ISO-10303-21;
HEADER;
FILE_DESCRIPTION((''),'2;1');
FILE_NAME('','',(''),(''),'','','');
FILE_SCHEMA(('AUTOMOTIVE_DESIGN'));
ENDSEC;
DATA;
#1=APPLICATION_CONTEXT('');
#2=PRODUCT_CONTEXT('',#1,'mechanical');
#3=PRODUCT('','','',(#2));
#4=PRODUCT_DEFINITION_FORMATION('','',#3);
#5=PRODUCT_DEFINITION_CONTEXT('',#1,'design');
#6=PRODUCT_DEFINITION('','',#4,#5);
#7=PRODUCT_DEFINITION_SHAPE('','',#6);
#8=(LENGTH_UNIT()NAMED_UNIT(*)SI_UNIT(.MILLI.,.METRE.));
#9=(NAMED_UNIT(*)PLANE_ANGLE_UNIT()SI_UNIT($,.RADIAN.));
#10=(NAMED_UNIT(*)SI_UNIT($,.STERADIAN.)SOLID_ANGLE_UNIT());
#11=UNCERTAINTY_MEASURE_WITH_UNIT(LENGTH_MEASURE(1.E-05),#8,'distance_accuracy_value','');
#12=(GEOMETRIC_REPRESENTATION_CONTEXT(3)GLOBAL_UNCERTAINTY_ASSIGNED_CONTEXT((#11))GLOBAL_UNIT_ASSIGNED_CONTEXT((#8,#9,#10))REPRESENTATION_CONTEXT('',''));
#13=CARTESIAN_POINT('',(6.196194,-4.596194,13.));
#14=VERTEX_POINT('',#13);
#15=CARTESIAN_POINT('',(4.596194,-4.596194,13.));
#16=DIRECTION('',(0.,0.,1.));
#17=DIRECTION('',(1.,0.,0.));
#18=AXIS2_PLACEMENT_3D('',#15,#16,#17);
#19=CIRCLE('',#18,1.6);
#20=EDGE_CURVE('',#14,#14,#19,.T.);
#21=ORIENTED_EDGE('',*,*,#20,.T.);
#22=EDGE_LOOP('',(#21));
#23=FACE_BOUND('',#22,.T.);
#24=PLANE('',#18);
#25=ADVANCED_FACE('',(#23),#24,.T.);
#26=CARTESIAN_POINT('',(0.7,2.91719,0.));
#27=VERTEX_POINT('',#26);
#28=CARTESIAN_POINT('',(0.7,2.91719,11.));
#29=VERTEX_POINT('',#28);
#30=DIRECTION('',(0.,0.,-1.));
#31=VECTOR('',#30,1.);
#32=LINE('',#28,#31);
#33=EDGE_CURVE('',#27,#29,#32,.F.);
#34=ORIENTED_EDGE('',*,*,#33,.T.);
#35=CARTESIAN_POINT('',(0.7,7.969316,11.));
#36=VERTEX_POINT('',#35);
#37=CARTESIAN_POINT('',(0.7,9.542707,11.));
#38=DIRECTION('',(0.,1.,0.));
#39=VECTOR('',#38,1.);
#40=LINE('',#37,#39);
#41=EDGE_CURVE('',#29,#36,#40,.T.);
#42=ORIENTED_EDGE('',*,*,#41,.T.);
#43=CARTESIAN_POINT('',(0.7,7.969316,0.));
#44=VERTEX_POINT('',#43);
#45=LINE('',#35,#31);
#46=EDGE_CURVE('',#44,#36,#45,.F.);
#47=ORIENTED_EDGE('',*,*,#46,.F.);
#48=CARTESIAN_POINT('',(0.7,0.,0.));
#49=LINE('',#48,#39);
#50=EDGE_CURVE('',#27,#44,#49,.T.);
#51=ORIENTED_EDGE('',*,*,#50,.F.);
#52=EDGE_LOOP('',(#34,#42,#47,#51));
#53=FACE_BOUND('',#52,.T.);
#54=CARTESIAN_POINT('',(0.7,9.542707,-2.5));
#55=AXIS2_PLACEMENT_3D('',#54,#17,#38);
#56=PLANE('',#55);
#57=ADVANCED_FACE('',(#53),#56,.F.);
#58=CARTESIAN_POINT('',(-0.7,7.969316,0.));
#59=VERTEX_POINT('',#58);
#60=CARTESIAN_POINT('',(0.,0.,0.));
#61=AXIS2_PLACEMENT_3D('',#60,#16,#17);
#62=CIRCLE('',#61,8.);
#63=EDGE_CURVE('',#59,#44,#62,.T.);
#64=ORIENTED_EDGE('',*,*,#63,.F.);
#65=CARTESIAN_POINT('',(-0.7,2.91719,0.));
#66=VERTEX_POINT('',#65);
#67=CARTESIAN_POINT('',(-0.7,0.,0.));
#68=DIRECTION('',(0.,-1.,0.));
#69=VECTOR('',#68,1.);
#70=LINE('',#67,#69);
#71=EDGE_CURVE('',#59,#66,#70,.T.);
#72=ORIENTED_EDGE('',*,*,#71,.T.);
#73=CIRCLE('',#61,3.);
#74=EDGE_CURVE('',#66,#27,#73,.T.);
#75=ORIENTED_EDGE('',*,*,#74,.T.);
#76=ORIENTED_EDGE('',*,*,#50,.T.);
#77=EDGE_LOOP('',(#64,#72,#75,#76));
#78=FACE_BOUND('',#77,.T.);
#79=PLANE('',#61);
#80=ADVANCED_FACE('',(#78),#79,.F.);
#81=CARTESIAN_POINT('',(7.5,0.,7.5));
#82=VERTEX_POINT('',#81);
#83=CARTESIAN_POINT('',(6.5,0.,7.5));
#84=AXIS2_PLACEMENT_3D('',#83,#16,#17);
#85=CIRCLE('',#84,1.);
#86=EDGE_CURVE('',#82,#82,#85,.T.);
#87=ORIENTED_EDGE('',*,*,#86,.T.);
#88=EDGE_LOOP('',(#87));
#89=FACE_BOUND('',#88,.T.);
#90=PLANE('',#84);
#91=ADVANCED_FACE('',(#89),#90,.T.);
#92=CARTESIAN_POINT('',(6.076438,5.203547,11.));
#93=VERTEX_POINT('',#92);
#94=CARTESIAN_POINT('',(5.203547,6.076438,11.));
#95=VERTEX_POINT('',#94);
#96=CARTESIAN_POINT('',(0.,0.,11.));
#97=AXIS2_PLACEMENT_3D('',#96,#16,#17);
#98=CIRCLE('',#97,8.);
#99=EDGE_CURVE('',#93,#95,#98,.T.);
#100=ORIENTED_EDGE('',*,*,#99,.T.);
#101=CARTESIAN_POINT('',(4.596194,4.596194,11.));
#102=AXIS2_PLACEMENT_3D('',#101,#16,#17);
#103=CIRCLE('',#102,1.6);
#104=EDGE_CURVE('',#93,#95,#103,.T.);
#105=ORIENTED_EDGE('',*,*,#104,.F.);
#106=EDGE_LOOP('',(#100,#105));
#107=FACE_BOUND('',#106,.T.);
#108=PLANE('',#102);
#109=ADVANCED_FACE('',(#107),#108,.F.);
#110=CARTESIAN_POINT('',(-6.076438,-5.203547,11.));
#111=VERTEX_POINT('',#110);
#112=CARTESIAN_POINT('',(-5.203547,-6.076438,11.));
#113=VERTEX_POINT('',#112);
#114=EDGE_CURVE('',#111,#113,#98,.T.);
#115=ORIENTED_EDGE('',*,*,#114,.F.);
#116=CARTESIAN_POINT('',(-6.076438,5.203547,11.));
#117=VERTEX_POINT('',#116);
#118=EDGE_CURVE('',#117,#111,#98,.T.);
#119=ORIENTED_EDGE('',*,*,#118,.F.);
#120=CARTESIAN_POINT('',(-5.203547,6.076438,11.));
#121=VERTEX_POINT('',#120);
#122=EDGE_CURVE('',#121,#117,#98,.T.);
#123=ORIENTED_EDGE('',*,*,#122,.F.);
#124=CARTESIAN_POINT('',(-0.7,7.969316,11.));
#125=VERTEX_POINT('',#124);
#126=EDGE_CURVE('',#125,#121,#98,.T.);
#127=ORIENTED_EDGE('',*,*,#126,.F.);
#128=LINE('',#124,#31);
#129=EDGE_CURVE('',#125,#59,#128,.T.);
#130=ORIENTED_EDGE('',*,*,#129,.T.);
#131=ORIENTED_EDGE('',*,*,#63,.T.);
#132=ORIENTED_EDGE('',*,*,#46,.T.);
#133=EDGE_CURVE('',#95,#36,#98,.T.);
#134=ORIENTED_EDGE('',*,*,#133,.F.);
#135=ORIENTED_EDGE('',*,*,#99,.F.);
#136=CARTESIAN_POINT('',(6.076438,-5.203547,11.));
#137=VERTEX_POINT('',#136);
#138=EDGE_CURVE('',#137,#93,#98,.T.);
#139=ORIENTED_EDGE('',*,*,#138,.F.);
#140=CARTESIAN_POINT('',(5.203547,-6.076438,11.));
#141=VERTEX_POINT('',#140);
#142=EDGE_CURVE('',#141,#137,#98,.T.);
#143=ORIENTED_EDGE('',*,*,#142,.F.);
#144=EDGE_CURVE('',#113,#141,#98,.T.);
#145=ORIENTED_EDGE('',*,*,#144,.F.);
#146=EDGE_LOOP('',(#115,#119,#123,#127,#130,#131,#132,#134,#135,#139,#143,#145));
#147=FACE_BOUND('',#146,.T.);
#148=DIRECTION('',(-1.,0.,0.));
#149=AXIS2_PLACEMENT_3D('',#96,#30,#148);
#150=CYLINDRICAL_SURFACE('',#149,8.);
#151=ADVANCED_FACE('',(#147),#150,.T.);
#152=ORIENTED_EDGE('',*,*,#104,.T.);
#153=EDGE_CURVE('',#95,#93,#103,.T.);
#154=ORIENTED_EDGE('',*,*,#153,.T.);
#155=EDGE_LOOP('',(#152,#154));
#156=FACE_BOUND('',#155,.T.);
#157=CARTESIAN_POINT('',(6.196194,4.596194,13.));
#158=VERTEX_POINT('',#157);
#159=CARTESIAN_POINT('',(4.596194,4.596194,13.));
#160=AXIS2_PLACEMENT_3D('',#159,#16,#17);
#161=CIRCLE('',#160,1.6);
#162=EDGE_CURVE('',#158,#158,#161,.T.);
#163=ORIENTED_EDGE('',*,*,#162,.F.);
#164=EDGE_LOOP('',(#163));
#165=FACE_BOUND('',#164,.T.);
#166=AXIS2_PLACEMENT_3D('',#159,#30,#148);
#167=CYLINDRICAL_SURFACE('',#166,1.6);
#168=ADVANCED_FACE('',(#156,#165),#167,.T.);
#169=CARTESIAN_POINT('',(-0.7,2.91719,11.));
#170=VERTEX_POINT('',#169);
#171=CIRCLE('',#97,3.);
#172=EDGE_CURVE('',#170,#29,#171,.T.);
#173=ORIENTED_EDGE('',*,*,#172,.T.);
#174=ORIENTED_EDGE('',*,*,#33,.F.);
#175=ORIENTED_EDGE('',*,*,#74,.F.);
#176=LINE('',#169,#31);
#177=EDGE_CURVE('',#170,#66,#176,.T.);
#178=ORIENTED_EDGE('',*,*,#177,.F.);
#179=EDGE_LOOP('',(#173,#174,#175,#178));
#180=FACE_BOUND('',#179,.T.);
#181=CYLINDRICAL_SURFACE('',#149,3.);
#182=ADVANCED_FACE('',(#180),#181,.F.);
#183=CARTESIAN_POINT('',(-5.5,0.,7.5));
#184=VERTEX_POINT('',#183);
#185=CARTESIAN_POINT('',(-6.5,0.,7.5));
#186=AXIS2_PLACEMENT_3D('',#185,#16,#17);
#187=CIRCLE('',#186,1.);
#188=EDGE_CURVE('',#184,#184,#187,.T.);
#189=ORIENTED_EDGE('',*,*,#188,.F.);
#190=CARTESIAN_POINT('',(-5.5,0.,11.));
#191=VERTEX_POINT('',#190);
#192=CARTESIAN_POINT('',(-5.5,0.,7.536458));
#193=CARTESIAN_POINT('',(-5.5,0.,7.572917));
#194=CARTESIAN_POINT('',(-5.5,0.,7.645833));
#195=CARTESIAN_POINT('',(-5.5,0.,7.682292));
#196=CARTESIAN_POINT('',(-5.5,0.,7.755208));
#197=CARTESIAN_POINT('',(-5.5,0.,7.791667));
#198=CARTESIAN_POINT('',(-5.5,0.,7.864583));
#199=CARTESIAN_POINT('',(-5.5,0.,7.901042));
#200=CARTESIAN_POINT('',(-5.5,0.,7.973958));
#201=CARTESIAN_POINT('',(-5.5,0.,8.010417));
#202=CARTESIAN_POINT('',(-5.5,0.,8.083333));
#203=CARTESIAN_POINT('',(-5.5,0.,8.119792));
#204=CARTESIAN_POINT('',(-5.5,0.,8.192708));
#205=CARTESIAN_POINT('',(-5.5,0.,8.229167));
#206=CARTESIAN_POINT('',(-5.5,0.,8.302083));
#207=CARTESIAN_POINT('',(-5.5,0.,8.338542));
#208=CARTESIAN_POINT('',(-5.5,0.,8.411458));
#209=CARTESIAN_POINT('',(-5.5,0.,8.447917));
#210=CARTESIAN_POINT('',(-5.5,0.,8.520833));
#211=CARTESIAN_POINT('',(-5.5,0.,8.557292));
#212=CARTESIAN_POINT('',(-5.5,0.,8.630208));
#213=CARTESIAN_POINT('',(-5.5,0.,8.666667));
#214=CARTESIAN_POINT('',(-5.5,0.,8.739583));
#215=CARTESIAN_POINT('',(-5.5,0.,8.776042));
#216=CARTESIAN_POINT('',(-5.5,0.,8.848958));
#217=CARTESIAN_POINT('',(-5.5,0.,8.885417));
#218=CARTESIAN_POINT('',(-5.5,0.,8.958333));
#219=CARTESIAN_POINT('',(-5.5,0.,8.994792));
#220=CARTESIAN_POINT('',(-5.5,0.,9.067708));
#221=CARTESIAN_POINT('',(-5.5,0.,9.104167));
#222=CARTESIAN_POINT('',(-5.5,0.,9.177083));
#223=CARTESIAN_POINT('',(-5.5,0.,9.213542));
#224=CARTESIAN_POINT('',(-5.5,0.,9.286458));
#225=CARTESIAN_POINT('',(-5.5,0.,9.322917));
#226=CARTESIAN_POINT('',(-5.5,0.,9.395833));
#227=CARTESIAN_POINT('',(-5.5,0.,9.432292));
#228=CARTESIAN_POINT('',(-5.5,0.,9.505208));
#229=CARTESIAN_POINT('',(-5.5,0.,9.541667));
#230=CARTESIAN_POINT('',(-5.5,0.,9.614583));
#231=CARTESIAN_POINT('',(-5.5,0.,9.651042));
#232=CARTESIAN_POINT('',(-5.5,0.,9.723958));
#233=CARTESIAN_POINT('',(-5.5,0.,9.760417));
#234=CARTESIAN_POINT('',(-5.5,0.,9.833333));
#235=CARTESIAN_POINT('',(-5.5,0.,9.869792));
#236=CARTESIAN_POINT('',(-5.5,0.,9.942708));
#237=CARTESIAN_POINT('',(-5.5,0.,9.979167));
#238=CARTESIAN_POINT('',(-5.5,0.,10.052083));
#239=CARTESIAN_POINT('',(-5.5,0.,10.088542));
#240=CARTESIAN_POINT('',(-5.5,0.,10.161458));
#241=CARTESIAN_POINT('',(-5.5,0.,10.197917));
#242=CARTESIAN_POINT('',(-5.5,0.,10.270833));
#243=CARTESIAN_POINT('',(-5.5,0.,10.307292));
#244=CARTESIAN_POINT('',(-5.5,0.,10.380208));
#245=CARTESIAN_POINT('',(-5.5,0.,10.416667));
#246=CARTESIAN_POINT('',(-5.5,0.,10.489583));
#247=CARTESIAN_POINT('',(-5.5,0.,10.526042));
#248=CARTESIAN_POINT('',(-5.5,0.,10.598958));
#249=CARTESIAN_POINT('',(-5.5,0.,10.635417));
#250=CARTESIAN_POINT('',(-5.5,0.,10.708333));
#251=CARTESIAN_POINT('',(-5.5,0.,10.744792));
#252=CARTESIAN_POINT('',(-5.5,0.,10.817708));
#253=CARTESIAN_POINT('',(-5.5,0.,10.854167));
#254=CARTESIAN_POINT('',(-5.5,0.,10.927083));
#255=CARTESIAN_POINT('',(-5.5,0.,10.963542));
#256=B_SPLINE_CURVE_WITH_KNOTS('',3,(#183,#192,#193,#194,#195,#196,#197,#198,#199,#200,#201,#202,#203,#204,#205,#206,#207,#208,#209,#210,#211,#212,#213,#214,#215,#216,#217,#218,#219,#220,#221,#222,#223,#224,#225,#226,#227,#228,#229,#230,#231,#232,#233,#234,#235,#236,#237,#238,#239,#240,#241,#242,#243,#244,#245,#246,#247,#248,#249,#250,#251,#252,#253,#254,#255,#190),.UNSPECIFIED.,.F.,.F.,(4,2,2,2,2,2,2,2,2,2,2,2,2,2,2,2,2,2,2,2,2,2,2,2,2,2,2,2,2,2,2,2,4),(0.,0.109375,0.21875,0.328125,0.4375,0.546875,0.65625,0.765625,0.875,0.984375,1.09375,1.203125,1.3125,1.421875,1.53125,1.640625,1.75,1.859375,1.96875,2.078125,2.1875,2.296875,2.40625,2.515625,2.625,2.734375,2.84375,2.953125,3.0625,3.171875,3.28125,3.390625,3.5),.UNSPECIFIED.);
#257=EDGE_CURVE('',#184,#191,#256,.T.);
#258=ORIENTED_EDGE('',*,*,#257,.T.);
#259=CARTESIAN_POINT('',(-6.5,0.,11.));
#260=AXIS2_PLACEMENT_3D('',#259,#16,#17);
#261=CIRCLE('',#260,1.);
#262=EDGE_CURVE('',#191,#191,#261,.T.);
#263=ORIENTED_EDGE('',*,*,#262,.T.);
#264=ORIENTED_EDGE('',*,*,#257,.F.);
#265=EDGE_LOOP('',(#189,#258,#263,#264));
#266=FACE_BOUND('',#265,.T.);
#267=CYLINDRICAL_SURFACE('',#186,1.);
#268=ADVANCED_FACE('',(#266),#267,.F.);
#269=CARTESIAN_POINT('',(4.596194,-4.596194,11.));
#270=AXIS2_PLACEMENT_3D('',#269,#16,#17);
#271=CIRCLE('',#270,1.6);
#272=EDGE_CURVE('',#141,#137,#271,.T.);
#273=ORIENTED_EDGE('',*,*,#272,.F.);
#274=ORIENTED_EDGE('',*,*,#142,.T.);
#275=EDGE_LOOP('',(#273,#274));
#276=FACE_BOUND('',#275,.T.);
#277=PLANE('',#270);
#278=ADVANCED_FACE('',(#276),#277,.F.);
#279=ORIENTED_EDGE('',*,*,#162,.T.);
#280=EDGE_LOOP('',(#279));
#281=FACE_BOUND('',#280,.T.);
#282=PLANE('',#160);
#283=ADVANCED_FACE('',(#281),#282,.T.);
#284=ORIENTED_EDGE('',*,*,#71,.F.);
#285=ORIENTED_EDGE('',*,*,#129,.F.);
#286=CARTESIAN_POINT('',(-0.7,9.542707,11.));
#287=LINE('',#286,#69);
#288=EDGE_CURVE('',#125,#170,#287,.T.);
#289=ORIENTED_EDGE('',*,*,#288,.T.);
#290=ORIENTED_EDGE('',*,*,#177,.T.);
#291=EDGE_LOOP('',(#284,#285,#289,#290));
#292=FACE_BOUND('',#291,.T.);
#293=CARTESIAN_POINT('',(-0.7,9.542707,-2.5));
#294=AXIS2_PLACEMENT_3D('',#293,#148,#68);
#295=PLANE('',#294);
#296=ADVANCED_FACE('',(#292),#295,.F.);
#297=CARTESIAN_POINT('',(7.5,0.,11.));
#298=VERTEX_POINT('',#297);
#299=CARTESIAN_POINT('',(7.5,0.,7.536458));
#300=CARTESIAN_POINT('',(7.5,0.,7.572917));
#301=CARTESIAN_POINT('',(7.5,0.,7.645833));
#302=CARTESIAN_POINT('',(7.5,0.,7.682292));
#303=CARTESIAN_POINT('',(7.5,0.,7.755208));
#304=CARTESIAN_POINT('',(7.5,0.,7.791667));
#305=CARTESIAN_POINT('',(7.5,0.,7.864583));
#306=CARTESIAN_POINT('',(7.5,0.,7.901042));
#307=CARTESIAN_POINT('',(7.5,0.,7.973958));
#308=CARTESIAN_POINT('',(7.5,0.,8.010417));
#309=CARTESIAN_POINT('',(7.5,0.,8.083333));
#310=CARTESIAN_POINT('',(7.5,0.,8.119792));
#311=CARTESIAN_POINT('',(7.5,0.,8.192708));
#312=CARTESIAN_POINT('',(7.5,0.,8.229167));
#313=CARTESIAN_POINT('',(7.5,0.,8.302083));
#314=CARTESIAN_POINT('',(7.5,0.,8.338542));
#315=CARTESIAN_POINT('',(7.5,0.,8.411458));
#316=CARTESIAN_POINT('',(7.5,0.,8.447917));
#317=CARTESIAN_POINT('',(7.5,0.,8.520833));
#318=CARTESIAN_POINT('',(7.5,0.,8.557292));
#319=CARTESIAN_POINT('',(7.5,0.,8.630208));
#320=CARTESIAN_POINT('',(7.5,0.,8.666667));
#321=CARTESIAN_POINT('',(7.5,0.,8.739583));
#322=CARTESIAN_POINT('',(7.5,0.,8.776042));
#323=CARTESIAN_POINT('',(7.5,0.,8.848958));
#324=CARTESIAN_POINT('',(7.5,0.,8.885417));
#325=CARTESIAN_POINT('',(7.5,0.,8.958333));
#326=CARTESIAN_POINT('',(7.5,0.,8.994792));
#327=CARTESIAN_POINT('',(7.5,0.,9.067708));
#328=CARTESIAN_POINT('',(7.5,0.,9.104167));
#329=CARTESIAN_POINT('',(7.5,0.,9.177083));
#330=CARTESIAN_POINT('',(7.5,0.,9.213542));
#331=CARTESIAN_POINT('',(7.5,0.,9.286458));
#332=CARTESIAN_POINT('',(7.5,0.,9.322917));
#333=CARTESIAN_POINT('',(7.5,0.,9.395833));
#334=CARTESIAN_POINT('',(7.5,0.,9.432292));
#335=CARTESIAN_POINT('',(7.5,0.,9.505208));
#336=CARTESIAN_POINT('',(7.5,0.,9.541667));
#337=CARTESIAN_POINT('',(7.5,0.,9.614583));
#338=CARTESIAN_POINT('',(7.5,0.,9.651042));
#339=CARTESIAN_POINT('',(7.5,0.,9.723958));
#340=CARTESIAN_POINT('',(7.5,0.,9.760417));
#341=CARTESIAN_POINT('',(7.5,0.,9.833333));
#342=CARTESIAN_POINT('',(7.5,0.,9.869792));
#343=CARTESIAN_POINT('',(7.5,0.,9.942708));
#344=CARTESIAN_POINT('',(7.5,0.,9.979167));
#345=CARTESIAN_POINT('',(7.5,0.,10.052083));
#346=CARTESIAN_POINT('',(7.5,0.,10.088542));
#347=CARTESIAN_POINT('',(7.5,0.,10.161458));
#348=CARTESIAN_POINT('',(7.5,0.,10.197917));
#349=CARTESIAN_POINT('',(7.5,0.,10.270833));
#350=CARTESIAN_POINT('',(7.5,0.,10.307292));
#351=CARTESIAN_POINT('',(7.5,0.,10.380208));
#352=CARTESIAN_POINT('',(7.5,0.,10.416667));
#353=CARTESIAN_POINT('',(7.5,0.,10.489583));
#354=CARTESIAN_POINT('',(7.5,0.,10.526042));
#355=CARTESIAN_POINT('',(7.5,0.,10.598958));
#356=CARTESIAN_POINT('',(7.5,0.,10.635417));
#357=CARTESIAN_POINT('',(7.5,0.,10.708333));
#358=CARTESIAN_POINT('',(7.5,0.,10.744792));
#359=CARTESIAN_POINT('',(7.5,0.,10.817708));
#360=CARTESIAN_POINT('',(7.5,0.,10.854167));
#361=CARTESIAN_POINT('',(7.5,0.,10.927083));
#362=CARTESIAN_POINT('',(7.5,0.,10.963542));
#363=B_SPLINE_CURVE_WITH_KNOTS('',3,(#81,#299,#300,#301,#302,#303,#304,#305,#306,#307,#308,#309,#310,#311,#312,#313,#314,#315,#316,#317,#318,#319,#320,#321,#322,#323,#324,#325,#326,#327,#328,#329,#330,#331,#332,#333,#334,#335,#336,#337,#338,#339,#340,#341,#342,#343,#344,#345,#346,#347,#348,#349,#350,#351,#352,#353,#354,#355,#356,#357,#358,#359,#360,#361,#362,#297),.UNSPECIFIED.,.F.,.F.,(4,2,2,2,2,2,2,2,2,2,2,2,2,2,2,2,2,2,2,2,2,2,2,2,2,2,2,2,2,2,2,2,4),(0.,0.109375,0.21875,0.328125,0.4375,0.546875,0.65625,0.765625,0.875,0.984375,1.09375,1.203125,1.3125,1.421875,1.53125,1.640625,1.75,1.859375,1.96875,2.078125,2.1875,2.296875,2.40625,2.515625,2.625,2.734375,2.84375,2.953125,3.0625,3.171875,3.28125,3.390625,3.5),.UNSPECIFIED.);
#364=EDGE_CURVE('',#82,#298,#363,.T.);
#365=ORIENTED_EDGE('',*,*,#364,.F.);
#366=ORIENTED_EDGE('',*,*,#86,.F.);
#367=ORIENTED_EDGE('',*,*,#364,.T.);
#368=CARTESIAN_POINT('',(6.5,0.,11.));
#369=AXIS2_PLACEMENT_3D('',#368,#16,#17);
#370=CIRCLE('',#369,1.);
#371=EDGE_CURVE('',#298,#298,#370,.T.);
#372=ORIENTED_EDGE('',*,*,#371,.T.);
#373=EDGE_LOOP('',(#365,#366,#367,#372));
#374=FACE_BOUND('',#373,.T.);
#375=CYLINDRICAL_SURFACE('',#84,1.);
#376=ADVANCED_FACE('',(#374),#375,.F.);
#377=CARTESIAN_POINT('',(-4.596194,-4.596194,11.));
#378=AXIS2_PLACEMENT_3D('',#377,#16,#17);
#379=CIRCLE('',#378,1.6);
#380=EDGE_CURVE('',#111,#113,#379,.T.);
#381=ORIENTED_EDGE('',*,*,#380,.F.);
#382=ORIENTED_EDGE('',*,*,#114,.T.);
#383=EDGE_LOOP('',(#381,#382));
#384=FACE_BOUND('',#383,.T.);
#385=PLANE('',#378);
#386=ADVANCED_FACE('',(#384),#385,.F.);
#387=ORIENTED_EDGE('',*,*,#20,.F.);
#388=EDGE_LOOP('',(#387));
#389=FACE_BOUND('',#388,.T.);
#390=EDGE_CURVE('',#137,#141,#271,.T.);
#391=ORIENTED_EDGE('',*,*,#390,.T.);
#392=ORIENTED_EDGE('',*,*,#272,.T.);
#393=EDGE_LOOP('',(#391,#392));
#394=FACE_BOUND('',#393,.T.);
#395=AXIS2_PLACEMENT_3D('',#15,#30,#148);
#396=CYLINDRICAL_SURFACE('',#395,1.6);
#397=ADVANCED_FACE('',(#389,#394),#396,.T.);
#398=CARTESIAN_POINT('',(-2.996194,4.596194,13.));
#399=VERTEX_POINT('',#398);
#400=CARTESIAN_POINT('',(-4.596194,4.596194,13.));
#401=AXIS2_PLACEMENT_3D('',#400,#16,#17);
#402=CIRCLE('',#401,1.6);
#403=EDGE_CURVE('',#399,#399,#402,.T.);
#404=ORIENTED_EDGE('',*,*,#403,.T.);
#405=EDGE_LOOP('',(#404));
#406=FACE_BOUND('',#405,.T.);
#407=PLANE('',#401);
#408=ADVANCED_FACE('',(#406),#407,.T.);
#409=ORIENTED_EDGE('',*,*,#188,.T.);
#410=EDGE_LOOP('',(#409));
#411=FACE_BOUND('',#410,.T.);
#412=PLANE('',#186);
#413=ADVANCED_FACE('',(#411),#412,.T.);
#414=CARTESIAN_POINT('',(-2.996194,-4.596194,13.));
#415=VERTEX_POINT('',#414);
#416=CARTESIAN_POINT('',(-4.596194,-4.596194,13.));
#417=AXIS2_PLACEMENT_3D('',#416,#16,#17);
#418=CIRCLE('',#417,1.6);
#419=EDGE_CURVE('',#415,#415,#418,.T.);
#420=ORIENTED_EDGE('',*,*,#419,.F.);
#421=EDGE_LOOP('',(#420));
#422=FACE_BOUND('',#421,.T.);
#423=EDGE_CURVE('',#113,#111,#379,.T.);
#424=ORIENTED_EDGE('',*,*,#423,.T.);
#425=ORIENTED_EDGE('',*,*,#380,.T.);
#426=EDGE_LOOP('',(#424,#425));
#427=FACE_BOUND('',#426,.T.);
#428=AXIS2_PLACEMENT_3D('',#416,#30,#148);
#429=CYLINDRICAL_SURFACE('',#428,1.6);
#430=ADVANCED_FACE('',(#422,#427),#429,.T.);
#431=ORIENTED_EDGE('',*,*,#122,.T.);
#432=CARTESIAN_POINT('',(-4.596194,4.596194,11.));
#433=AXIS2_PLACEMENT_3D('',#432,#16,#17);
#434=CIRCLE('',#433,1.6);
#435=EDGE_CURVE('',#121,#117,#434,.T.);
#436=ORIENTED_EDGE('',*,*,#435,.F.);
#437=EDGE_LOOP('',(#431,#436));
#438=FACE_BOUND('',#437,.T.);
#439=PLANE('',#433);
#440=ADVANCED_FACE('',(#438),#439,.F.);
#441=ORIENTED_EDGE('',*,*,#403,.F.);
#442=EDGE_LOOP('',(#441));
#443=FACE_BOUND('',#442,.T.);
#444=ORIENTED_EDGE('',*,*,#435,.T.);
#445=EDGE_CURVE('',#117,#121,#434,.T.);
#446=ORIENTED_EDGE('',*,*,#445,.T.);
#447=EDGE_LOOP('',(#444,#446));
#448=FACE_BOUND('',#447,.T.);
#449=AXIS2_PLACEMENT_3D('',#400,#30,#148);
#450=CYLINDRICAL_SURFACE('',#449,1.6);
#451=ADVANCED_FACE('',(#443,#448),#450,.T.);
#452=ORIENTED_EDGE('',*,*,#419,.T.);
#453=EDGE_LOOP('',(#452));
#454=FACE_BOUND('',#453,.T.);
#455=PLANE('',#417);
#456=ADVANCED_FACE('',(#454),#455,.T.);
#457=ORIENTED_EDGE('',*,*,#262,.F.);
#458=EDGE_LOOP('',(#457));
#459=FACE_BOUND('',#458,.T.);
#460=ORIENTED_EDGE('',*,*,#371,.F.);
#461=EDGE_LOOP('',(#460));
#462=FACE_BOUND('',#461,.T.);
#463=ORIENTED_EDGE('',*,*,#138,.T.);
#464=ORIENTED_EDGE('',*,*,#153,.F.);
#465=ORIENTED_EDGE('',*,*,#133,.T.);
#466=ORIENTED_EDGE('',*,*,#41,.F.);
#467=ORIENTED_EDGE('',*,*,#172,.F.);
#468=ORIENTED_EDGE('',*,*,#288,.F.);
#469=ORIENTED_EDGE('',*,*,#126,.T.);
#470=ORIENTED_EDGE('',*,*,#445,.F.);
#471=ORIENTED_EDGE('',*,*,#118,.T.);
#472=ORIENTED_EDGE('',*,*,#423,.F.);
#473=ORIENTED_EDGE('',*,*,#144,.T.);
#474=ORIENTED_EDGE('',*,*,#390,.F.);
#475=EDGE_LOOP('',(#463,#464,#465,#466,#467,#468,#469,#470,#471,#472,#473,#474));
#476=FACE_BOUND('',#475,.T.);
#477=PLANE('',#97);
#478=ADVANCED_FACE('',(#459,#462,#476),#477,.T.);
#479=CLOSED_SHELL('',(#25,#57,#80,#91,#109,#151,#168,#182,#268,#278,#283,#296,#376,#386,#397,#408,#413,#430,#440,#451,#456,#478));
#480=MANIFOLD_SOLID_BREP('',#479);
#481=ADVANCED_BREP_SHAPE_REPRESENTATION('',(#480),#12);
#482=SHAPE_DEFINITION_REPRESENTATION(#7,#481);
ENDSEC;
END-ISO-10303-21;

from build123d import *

# Parameters (mm, degrees)
SKETCH_1_R          = 8
SKETCH_1_R_2        = 3
EXTRUDE_1_DEPTH     = 11
SKETCH_2_W          = 1.4
SKETCH_2_H          = 7.329379883
CUT_EXTRUDE_1_DEPTH = 13.5
SKETCH_3_R          = 1
CUT_EXTRUDE_2_DEPTH = 3.5
SKETCH_4_R          = 1.6
EXTRUDE_3_DEPTH     = 2


with BuildPart() as part:
    # 草图1 → 凸台-拉伸1 (new body)
    with BuildSketch(Plane.XY):
        Circle(SKETCH_1_R)
        Circle(SKETCH_1_R_2, mode=Mode.SUBTRACT)
    extrude(amount=EXTRUDE_1_DEPTH)

    # 草图2 → 切除-拉伸1 (cut)
    with BuildSketch(Plane.XY.offset(11)):
        with Locations((0, 5.87801753)):
            Rectangle(SKETCH_2_W, SKETCH_2_H)
    extrude(amount=-CUT_EXTRUDE_1_DEPTH, mode=Mode.SUBTRACT)

    # 草图3 → 切除-拉伸2 (cut)
    with BuildSketch(Plane.XY.offset(11)):
        with Locations((6.5, 0)):
            Circle(SKETCH_3_R)
        with Locations((-6.5, 0)):
            Circle(SKETCH_3_R)
    extrude(amount=-CUT_EXTRUDE_2_DEPTH, mode=Mode.SUBTRACT)

    # 草图4 → 凸台-拉伸3 (add)
    with BuildSketch(Plane.XY.offset(11)):
        with Locations(Location((4.596194078, 4.596194078, 0), (0, 0, 67.691377582))):
            Circle(SKETCH_4_R)
        with Locations(Location((4.596194078, -4.596194078, 0), (0, 0, 292.308622418))):
            Circle(SKETCH_4_R)
        with Locations(Location((-4.596194078, -4.596194078, 0), (0, 0, 202.308622418))):
            Circle(SKETCH_4_R)
        with Locations(Location((-4.596194078, 4.596194078, 0), (0, 0, 157.691377582))):
            Circle(SKETCH_4_R)
    extrude(amount=EXTRUDE_3_DEPTH)


solid = part.part
